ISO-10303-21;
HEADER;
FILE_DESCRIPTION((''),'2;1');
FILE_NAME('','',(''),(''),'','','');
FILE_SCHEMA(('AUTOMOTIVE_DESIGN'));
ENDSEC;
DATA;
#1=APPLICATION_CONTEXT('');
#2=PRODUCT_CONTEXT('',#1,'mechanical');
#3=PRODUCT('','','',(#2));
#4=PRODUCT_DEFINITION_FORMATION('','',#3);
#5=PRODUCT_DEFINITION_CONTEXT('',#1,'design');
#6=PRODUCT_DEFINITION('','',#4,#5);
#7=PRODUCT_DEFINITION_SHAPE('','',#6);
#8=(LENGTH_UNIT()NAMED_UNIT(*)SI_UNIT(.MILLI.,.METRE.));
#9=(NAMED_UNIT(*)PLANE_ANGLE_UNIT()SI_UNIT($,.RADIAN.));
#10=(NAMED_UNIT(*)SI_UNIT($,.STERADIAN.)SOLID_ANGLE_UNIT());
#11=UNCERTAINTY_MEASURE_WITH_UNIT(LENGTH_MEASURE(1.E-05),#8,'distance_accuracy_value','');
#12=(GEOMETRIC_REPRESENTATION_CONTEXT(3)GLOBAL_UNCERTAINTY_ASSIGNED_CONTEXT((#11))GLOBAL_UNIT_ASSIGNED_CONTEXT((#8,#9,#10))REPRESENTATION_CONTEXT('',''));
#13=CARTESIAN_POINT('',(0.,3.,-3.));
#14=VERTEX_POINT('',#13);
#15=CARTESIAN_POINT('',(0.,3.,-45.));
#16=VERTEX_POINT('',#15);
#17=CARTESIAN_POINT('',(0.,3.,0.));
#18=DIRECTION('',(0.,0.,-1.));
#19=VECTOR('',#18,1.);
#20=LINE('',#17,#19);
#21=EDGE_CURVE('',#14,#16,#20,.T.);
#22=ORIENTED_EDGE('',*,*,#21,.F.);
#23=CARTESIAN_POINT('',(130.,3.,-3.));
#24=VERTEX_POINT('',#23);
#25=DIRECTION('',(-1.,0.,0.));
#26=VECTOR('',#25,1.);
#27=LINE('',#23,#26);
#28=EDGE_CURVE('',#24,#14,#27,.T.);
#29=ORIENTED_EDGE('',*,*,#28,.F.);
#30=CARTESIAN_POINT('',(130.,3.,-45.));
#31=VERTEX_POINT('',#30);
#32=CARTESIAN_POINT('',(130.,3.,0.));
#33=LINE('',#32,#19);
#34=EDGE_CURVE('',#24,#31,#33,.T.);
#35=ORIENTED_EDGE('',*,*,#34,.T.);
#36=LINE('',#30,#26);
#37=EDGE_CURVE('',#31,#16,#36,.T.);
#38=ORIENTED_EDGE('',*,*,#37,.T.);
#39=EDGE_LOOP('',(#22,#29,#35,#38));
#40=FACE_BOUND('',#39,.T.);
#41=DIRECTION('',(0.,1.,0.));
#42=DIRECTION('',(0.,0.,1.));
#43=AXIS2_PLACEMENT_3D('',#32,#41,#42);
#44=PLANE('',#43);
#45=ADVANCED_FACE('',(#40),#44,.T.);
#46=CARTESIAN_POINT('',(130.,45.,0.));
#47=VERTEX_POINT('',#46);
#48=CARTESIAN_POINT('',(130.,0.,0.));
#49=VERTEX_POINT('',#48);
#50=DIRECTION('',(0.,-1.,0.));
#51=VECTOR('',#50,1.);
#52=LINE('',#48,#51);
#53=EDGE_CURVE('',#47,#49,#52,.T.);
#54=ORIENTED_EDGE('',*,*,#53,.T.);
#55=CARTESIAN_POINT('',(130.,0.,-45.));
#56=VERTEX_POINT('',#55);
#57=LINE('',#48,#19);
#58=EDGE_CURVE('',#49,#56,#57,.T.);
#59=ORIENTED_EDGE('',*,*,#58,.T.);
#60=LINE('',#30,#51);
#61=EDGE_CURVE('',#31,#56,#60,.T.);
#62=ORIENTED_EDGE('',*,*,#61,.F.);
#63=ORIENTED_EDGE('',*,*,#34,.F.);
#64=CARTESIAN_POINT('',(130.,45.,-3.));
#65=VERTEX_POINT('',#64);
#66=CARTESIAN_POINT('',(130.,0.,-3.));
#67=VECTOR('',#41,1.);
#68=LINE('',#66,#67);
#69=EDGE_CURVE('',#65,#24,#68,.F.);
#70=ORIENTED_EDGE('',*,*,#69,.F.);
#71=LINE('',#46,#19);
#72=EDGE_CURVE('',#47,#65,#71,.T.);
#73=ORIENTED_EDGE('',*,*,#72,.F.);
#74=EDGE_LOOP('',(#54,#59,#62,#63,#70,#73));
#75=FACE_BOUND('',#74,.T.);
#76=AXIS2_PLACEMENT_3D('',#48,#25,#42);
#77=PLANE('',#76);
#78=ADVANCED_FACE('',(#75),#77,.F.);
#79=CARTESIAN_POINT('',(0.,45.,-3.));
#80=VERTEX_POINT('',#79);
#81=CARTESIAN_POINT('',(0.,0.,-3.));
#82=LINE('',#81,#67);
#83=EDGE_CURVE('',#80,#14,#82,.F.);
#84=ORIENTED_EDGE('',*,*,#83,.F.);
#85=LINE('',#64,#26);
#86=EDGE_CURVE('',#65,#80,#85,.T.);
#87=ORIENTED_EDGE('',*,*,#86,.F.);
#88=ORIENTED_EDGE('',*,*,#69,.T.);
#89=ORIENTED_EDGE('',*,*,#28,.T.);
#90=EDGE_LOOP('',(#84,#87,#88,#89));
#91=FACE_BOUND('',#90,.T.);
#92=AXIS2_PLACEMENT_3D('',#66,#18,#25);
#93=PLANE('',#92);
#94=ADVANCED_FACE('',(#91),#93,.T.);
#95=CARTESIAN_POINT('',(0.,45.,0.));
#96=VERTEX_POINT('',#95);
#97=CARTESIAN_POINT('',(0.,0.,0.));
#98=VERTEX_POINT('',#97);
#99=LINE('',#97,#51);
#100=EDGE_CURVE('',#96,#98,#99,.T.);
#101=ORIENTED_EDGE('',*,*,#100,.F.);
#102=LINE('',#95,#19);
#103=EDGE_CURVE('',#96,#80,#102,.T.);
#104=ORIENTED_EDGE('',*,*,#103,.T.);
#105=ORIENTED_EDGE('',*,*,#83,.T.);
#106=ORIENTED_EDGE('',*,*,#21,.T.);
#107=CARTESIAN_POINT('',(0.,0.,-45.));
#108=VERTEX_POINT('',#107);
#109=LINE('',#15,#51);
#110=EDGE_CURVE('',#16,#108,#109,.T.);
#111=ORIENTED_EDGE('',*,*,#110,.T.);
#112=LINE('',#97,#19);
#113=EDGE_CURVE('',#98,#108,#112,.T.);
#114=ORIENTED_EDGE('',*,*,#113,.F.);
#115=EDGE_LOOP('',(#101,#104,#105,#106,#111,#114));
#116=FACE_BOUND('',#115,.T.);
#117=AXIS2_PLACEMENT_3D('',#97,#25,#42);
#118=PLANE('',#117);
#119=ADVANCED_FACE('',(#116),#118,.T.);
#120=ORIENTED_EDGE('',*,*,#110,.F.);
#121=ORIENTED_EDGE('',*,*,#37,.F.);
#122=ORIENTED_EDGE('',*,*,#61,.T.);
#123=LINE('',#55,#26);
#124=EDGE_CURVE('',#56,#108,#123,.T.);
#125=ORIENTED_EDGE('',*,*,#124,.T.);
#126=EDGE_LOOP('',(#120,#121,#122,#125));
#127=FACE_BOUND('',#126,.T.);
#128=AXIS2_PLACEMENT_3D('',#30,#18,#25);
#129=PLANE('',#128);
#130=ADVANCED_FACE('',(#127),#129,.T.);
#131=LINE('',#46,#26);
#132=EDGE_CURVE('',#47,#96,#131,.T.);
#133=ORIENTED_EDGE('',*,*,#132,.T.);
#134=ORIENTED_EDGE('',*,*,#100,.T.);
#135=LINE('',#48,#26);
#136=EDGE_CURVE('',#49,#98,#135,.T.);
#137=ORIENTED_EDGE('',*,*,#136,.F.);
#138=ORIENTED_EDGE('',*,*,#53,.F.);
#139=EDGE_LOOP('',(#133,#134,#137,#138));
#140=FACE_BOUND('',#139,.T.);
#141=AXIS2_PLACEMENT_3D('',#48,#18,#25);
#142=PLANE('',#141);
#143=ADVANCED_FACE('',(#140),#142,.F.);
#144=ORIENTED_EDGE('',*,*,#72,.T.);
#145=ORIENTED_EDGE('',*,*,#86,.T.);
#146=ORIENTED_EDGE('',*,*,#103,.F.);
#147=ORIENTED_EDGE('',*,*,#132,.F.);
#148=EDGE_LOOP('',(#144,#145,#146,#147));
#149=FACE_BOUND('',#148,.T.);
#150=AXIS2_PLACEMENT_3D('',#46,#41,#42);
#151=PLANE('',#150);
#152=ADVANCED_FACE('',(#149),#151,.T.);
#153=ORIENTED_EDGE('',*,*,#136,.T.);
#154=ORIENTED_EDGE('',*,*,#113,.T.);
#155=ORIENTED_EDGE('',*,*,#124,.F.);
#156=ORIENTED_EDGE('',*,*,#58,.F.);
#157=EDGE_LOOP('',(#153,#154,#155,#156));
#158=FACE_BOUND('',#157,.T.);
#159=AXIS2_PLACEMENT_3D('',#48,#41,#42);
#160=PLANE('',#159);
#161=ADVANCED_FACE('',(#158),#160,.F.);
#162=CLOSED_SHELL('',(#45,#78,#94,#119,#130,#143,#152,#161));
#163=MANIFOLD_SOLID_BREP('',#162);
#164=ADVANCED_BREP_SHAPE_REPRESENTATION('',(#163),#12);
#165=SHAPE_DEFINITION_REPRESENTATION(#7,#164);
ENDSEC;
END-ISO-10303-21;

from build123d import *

# Parameters (mm, degrees)
EXTRUDE_1_DEPTH = 130


with BuildPart() as part:
    # Эскиз1 → Вытянуть-Тонкостенный1 (new body)
    with BuildSketch(Plane(origin=(0, 0, 0), x_dir=(0, 0, -1), z_dir=(1, 0, 0))):
        Polygon((45, 0), (0, 0), (0, 45), (3, 45), (3, 3), (45, 3), align=None)
    extrude(amount=EXTRUDE_1_DEPTH)


solid = part.part
